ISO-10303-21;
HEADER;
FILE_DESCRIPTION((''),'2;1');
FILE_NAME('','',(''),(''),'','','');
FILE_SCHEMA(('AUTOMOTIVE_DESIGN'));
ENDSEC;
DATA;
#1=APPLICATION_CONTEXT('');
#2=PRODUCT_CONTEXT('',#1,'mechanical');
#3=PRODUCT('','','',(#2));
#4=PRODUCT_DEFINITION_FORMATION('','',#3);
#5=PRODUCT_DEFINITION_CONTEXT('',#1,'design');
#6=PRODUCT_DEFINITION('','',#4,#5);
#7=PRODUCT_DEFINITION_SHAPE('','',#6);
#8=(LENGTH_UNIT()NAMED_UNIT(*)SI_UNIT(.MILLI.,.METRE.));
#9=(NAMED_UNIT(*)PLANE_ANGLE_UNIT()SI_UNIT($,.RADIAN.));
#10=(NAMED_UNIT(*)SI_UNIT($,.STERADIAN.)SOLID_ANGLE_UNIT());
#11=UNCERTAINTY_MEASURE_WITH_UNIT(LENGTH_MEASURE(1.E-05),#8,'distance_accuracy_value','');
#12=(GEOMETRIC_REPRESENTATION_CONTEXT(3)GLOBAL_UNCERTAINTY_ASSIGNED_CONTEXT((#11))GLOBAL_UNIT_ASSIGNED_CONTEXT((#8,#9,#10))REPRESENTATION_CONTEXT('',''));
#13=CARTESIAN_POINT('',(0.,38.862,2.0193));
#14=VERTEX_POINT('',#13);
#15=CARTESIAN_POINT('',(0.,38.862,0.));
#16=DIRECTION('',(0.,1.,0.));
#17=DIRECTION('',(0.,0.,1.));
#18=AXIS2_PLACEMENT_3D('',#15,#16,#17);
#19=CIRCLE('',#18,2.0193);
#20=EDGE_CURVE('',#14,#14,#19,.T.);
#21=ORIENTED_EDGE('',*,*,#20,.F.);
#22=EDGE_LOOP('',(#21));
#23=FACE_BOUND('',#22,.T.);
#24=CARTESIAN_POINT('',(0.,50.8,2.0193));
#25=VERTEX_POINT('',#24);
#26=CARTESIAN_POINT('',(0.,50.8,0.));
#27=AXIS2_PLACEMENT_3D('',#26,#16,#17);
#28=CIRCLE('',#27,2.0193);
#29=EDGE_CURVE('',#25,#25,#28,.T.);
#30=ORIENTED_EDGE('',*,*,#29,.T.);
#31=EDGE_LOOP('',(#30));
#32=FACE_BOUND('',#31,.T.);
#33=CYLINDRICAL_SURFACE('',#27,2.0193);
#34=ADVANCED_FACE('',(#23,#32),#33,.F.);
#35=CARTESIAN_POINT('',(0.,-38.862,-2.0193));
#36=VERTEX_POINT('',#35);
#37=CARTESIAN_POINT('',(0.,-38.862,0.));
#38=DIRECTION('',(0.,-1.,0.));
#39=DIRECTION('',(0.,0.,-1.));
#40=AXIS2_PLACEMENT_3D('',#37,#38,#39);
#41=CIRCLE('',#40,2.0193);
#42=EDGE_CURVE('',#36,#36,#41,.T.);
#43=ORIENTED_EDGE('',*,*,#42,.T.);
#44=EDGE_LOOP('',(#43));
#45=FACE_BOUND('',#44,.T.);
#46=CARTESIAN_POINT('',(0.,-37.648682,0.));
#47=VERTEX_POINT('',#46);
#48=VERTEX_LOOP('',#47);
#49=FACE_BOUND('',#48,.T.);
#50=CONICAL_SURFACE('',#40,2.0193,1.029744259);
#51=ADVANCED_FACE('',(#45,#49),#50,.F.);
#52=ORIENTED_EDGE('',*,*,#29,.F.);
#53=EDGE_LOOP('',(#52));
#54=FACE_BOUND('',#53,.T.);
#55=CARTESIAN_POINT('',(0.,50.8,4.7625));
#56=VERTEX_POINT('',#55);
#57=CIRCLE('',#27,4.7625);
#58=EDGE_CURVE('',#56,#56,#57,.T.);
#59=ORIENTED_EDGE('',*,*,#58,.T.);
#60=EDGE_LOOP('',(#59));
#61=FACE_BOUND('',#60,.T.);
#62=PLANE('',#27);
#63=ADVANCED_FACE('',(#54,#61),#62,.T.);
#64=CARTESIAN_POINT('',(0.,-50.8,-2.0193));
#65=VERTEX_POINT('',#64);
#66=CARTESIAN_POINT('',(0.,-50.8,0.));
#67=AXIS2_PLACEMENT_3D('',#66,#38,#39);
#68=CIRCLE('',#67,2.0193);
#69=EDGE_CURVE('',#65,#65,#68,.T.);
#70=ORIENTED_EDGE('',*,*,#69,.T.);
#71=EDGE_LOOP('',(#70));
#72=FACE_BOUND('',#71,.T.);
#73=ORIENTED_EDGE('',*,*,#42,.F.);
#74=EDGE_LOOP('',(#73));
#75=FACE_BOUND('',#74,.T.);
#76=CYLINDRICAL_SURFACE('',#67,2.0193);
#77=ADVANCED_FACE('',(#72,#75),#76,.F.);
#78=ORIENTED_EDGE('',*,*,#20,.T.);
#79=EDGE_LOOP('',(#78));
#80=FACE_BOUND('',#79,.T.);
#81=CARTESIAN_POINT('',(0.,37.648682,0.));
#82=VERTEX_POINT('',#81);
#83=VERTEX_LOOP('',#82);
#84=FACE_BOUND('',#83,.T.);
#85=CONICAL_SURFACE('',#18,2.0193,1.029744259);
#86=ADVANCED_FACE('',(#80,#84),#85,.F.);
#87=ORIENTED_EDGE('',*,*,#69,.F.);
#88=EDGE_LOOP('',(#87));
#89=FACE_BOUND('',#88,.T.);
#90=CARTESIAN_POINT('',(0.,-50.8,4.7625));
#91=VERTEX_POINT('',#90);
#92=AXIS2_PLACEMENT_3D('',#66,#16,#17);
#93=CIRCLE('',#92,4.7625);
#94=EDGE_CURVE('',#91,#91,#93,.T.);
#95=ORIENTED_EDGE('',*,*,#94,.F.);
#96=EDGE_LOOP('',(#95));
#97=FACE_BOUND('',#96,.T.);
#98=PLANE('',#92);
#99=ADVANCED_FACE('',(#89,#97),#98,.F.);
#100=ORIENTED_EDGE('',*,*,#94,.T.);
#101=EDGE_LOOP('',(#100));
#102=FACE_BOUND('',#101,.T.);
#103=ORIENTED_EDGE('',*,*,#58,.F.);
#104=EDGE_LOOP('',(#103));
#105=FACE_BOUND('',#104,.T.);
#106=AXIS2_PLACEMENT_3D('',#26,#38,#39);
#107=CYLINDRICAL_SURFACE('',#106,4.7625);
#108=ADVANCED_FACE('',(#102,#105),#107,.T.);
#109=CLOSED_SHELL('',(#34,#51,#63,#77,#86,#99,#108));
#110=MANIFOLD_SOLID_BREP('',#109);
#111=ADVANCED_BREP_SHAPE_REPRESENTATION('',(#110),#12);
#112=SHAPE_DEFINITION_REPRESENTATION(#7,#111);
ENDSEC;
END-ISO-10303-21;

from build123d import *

# Parameters (mm, degrees)
SKETCH1_R                            = 4.7625
BOSS_EXTRUDE1_DEPTH                  = 50.8
F_10_32_TAPPED_HOLE1_D               = 4.0386
F_10_32_TAPPED_HOLE1_DEPTH           = 11.938
F_10_32_TAPPED_HOLE1_TIP             = 1.213317848
F_10_32_TAPPED_HOLE1_ON_FACE_2_D     = 4.0386
F_10_32_TAPPED_HOLE1_ON_FACE_2_DEPTH = 11.938
F_10_32_TAPPED_HOLE1_ON_FACE_2_TIP   = 1.213317848


with BuildPart() as part:
    # Sketch1 → Boss-Extrude1 (new body, symmetric)
    with BuildSketch(Plane(origin=(0, 0, 0), x_dir=(1, 0, 0), z_dir=(0, 1, 0))):
        Circle(SKETCH1_R)
    extrude(amount=BOSS_EXTRUDE1_DEPTH, both=True)

    # #10-32 Tapped Hole1
    with Locations(Plane.ZX.offset(50.8)):
        with Locations((0, 0)):
            Hole(F_10_32_TAPPED_HOLE1_D / 2, depth=F_10_32_TAPPED_HOLE1_DEPTH)
            with Locations((0, 0, -(F_10_32_TAPPED_HOLE1_DEPTH + F_10_32_TAPPED_HOLE1_TIP / 2))):  # 118° drill point
                Cone(0, F_10_32_TAPPED_HOLE1_D / 2, F_10_32_TAPPED_HOLE1_TIP, mode=Mode.SUBTRACT)

    # #10-32 Tapped Hole1 on face 2
    with Locations(Plane(origin=(0, -50.8, 0), x_dir=(0, 0, -1), z_dir=(0, -1, 0))):
        with Locations((0, 0)):
            Hole(F_10_32_TAPPED_HOLE1_ON_FACE_2_D / 2, depth=F_10_32_TAPPED_HOLE1_ON_FACE_2_DEPTH)
            with Locations((0, 0, -(F_10_32_TAPPED_HOLE1_ON_FACE_2_DEPTH + F_10_32_TAPPED_HOLE1_ON_FACE_2_TIP / 2))):  # 118° drill point
                Cone(0, F_10_32_TAPPED_HOLE1_ON_FACE_2_D / 2, F_10_32_TAPPED_HOLE1_ON_FACE_2_TIP, mode=Mode.SUBTRACT)


solid = part.part
